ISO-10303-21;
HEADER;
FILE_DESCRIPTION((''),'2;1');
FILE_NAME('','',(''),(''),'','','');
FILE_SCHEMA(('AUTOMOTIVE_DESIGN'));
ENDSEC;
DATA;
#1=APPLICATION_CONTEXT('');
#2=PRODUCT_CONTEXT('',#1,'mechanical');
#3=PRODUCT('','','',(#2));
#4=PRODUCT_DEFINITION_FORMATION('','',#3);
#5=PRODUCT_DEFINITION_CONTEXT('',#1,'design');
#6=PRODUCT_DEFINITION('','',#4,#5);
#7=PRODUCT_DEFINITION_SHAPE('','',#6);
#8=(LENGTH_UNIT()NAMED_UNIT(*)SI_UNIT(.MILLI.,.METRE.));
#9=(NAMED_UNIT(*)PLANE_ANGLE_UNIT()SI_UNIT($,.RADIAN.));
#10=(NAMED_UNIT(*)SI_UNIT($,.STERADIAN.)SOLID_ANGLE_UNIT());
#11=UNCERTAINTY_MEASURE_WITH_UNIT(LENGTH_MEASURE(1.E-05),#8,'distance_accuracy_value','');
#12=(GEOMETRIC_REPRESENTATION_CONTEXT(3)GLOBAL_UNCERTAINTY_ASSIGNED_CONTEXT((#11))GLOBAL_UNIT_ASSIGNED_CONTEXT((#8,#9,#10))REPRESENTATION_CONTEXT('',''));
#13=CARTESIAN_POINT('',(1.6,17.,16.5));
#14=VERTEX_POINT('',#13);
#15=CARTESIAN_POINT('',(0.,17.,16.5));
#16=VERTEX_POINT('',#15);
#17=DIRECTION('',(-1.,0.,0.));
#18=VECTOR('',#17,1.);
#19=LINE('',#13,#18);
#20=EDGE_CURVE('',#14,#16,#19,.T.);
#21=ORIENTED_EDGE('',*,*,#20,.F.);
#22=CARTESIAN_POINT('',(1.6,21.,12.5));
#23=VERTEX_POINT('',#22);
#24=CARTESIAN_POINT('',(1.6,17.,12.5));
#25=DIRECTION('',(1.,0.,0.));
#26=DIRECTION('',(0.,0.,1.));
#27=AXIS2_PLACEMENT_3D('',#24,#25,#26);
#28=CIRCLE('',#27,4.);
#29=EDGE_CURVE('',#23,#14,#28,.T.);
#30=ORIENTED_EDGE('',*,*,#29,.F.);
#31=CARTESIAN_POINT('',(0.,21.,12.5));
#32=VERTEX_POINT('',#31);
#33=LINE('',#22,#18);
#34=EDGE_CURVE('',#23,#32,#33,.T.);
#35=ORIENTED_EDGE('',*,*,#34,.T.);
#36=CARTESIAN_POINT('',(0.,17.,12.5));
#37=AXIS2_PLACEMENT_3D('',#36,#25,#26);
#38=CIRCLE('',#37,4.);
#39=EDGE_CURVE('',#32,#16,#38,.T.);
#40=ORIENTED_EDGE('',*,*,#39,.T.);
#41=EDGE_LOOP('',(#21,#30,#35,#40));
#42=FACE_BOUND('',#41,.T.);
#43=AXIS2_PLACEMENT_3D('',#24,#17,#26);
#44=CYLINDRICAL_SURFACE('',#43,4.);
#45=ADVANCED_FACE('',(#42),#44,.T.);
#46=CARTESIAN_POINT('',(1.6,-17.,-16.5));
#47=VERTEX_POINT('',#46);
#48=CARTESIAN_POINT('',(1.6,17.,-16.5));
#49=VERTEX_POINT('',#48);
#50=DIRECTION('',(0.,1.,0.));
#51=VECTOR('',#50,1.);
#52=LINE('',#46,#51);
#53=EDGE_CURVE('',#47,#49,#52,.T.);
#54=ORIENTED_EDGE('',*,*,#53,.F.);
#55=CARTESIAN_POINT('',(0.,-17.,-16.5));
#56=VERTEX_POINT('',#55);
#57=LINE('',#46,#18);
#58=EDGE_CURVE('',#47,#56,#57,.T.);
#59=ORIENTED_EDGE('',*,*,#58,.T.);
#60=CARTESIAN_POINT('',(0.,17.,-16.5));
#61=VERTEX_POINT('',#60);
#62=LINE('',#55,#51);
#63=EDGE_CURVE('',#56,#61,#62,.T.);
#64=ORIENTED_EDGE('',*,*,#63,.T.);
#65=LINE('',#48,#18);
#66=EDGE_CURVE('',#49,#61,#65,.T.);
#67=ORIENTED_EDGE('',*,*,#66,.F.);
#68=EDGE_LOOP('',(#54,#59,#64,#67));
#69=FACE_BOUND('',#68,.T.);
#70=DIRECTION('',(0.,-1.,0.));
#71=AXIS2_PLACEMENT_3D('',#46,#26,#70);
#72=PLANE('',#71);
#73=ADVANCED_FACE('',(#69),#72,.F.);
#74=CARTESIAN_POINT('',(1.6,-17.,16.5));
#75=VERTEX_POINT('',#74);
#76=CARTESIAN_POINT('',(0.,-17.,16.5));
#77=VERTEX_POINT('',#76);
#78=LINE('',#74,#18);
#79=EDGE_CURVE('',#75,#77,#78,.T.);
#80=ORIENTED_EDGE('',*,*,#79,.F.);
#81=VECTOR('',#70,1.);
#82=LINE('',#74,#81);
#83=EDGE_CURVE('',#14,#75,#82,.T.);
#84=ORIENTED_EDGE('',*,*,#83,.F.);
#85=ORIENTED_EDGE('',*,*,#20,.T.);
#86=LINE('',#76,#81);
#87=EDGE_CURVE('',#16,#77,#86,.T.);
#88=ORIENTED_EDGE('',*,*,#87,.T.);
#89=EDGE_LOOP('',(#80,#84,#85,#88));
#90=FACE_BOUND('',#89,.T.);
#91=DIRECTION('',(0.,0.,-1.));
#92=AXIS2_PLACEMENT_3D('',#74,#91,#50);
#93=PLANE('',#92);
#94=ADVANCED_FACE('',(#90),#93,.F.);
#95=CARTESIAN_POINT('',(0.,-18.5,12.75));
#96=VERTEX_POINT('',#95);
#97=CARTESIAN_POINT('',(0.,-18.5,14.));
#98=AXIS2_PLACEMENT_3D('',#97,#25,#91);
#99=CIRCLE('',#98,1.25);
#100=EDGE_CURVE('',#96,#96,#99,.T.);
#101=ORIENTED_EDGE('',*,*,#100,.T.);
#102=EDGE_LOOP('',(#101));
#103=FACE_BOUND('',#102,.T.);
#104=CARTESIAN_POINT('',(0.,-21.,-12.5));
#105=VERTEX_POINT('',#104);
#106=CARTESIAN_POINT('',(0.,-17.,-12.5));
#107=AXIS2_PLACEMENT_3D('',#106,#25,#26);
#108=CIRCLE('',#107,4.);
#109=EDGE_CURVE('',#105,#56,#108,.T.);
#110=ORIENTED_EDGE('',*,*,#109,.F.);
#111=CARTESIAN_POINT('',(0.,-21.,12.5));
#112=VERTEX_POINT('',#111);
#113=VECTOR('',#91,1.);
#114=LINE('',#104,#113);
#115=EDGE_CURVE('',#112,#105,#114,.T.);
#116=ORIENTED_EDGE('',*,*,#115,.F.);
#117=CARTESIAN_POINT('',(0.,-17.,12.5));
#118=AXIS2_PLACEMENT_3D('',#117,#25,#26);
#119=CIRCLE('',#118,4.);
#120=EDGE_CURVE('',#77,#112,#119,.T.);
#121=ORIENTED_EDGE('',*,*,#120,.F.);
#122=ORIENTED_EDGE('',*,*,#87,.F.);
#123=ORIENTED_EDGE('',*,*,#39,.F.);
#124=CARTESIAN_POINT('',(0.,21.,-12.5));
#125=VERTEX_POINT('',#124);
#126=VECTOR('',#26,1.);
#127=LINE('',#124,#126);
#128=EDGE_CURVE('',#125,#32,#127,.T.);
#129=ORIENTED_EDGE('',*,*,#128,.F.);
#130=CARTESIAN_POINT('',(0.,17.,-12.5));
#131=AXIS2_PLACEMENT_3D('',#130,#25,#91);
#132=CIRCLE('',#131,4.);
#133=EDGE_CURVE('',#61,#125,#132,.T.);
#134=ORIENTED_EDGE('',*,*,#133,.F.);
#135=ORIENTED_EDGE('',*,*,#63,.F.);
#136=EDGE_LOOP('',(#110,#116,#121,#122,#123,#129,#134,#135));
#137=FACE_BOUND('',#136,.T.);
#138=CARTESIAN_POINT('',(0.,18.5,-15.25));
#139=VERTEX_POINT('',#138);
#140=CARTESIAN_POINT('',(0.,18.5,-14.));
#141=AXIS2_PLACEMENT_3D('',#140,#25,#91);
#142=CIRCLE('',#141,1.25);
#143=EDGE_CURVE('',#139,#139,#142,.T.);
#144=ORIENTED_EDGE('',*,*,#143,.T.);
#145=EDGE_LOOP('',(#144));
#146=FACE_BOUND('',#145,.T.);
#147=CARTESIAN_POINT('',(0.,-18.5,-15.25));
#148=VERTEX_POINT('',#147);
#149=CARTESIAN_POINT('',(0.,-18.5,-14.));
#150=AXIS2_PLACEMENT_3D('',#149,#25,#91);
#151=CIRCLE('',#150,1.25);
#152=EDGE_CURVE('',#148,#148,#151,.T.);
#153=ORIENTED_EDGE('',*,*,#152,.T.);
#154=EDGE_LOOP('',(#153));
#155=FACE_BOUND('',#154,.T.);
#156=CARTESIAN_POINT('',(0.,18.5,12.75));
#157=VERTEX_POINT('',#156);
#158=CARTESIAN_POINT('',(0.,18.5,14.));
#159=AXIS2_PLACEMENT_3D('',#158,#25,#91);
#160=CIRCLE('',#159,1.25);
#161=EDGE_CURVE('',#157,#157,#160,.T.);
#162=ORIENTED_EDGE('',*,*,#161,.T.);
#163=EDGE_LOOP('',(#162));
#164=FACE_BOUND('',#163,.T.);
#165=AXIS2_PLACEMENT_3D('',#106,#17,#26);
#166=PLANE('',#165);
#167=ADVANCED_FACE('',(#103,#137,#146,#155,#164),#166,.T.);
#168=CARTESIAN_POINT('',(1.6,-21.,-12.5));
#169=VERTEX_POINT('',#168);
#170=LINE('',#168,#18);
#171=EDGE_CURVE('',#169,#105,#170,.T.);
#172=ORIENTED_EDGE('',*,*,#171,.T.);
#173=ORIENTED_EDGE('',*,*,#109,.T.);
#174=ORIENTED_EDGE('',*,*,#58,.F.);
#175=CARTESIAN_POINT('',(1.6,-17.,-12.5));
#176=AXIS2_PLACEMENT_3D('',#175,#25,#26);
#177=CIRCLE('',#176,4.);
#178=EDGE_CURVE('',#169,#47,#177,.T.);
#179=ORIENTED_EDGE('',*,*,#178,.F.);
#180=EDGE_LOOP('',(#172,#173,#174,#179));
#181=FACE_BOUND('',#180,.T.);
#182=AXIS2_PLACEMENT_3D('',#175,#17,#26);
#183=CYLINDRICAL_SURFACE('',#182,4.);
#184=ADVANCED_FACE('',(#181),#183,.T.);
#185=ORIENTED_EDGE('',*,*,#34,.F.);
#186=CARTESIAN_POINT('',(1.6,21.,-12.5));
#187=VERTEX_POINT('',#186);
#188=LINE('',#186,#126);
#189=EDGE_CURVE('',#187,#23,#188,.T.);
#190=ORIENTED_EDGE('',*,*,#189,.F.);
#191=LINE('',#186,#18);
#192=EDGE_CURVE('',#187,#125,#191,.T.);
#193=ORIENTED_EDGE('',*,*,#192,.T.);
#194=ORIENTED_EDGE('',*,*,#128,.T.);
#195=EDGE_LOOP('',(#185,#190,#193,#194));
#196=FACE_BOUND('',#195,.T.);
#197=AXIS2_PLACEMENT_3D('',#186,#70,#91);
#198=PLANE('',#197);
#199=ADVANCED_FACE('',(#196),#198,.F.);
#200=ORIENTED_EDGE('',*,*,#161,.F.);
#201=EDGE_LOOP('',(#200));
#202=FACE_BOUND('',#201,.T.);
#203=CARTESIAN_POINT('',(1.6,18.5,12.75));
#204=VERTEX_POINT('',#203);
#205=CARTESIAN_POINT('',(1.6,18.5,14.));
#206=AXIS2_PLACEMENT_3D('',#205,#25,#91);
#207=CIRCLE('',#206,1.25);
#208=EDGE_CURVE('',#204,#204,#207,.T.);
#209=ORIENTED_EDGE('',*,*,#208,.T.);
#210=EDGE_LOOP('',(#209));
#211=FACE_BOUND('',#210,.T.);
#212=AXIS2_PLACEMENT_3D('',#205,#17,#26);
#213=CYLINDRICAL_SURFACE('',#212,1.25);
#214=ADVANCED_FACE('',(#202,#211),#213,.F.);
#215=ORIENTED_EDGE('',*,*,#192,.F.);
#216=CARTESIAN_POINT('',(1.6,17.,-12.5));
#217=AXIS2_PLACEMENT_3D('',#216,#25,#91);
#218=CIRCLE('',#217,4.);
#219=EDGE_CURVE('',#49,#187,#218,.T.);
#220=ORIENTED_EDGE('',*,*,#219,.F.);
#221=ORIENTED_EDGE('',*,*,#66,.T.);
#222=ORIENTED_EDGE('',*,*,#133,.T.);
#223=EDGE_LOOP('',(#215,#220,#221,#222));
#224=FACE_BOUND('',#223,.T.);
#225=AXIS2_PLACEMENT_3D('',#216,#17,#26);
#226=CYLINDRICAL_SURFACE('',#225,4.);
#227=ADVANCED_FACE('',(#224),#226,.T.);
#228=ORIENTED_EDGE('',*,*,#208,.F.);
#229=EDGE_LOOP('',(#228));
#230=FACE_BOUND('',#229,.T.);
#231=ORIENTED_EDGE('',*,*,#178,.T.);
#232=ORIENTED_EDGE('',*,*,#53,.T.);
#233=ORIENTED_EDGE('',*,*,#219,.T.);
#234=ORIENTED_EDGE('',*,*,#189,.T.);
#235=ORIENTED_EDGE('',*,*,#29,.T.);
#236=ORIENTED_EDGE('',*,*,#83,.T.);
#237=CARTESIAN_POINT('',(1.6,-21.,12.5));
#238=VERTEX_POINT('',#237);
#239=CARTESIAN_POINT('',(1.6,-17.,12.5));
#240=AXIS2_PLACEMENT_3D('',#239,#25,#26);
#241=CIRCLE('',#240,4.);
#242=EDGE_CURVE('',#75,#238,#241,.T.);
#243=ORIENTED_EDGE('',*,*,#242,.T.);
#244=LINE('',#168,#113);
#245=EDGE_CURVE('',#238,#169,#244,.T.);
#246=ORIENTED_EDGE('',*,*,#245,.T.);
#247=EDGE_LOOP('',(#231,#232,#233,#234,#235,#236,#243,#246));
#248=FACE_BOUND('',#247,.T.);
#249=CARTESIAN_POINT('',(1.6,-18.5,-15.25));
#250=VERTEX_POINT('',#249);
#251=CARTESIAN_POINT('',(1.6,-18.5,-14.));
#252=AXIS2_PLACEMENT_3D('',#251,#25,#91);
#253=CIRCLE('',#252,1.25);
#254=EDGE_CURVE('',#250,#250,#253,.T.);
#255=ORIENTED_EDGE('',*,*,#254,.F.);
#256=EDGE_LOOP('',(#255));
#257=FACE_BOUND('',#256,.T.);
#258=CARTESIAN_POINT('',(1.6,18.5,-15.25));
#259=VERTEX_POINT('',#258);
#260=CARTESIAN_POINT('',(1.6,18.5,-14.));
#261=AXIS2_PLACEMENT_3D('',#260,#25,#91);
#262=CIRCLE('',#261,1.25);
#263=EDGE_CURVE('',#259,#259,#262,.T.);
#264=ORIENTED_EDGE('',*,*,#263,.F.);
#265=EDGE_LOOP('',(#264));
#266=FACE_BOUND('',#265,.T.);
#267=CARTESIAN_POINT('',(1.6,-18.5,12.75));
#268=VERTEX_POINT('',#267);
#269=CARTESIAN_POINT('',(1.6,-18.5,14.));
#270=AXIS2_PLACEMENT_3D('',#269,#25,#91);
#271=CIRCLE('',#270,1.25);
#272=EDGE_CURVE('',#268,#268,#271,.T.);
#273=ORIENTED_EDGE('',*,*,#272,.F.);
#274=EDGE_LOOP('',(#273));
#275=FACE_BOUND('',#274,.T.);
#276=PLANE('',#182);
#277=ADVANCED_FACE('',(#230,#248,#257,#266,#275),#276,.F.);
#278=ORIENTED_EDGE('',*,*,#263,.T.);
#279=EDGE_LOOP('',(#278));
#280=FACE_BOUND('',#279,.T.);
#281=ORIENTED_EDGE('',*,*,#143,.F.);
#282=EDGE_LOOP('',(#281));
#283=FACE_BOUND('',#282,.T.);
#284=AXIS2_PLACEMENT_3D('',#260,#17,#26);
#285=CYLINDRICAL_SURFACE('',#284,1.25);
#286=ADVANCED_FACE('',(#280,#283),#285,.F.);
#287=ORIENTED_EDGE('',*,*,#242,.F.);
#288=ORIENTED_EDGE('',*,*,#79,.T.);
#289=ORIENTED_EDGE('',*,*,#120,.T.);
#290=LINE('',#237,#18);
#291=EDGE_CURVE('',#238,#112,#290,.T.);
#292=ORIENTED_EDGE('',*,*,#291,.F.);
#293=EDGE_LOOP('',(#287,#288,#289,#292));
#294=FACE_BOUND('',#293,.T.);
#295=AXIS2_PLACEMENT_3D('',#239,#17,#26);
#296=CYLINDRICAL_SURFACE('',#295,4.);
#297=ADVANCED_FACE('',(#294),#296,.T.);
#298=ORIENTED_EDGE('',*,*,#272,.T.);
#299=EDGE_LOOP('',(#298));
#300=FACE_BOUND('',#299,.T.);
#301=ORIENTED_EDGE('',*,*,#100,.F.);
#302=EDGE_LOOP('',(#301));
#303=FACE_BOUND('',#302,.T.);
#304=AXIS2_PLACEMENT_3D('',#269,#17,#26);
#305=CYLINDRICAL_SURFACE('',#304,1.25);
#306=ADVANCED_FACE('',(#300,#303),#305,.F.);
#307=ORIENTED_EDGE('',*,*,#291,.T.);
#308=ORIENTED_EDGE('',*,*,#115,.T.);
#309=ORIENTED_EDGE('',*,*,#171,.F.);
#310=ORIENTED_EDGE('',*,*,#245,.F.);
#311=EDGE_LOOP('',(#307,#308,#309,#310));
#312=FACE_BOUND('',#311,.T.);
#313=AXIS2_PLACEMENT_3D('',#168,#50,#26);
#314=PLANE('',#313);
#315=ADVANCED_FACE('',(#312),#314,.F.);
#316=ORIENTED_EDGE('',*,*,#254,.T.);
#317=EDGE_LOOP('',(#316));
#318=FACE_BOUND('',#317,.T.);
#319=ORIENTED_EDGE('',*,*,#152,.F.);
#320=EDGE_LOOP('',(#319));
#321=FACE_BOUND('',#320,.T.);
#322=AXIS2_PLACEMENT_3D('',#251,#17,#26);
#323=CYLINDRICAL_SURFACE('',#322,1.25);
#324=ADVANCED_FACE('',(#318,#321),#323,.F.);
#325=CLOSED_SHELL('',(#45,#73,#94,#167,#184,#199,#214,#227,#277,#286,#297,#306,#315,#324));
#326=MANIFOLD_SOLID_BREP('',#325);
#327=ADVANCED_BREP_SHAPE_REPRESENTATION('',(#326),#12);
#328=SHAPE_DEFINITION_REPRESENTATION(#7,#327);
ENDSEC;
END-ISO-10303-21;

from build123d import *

# Parameters (mm, degrees)
SKETCH2_R           = 1.25
BOSS_EXTRUDE1_DEPTH = 1.6


with BuildPart() as part:
    # Sketch2 → Boss-Extrude1 (new body)
    with BuildSketch(Plane.YZ):
        with BuildLine():
            Line((-17, -16.5), (17, -16.5))
            ThreePointArc((17, -16.5), (19.828427125, -15.328427125), (21, -12.5))
            Line((21, -12.5), (21, 12.5))
            ThreePointArc((21, 12.5), (19.828427125, 15.328427125), (17, 16.5))
            Line((17, 16.5), (-17, 16.5))
            ThreePointArc((-17, 16.5), (-19.828427125, 15.328427125), (-21, 12.5))
            Line((-21, 12.5), (-21, -12.5))
            ThreePointArc((-21, -12.5), (-19.828427125, -15.328427125), (-17, -16.5))
        make_face()
        with Locations(Location((-18.5, 14, 0), (0, 0, 270))):
            Circle(SKETCH2_R, mode=Mode.SUBTRACT)
        with Locations(Location((-18.5, -14, 0), (0, 0, 270))):
            Circle(SKETCH2_R, mode=Mode.SUBTRACT)
        with Locations(Location((18.5, 14, 0), (0, 0, 270))):
            Circle(SKETCH2_R, mode=Mode.SUBTRACT)
        with Locations(Location((18.5, -14, 0), (0, 0, 270))):
            Circle(SKETCH2_R, mode=Mode.SUBTRACT)
    extrude(amount=BOSS_EXTRUDE1_DEPTH)


solid = part.part
